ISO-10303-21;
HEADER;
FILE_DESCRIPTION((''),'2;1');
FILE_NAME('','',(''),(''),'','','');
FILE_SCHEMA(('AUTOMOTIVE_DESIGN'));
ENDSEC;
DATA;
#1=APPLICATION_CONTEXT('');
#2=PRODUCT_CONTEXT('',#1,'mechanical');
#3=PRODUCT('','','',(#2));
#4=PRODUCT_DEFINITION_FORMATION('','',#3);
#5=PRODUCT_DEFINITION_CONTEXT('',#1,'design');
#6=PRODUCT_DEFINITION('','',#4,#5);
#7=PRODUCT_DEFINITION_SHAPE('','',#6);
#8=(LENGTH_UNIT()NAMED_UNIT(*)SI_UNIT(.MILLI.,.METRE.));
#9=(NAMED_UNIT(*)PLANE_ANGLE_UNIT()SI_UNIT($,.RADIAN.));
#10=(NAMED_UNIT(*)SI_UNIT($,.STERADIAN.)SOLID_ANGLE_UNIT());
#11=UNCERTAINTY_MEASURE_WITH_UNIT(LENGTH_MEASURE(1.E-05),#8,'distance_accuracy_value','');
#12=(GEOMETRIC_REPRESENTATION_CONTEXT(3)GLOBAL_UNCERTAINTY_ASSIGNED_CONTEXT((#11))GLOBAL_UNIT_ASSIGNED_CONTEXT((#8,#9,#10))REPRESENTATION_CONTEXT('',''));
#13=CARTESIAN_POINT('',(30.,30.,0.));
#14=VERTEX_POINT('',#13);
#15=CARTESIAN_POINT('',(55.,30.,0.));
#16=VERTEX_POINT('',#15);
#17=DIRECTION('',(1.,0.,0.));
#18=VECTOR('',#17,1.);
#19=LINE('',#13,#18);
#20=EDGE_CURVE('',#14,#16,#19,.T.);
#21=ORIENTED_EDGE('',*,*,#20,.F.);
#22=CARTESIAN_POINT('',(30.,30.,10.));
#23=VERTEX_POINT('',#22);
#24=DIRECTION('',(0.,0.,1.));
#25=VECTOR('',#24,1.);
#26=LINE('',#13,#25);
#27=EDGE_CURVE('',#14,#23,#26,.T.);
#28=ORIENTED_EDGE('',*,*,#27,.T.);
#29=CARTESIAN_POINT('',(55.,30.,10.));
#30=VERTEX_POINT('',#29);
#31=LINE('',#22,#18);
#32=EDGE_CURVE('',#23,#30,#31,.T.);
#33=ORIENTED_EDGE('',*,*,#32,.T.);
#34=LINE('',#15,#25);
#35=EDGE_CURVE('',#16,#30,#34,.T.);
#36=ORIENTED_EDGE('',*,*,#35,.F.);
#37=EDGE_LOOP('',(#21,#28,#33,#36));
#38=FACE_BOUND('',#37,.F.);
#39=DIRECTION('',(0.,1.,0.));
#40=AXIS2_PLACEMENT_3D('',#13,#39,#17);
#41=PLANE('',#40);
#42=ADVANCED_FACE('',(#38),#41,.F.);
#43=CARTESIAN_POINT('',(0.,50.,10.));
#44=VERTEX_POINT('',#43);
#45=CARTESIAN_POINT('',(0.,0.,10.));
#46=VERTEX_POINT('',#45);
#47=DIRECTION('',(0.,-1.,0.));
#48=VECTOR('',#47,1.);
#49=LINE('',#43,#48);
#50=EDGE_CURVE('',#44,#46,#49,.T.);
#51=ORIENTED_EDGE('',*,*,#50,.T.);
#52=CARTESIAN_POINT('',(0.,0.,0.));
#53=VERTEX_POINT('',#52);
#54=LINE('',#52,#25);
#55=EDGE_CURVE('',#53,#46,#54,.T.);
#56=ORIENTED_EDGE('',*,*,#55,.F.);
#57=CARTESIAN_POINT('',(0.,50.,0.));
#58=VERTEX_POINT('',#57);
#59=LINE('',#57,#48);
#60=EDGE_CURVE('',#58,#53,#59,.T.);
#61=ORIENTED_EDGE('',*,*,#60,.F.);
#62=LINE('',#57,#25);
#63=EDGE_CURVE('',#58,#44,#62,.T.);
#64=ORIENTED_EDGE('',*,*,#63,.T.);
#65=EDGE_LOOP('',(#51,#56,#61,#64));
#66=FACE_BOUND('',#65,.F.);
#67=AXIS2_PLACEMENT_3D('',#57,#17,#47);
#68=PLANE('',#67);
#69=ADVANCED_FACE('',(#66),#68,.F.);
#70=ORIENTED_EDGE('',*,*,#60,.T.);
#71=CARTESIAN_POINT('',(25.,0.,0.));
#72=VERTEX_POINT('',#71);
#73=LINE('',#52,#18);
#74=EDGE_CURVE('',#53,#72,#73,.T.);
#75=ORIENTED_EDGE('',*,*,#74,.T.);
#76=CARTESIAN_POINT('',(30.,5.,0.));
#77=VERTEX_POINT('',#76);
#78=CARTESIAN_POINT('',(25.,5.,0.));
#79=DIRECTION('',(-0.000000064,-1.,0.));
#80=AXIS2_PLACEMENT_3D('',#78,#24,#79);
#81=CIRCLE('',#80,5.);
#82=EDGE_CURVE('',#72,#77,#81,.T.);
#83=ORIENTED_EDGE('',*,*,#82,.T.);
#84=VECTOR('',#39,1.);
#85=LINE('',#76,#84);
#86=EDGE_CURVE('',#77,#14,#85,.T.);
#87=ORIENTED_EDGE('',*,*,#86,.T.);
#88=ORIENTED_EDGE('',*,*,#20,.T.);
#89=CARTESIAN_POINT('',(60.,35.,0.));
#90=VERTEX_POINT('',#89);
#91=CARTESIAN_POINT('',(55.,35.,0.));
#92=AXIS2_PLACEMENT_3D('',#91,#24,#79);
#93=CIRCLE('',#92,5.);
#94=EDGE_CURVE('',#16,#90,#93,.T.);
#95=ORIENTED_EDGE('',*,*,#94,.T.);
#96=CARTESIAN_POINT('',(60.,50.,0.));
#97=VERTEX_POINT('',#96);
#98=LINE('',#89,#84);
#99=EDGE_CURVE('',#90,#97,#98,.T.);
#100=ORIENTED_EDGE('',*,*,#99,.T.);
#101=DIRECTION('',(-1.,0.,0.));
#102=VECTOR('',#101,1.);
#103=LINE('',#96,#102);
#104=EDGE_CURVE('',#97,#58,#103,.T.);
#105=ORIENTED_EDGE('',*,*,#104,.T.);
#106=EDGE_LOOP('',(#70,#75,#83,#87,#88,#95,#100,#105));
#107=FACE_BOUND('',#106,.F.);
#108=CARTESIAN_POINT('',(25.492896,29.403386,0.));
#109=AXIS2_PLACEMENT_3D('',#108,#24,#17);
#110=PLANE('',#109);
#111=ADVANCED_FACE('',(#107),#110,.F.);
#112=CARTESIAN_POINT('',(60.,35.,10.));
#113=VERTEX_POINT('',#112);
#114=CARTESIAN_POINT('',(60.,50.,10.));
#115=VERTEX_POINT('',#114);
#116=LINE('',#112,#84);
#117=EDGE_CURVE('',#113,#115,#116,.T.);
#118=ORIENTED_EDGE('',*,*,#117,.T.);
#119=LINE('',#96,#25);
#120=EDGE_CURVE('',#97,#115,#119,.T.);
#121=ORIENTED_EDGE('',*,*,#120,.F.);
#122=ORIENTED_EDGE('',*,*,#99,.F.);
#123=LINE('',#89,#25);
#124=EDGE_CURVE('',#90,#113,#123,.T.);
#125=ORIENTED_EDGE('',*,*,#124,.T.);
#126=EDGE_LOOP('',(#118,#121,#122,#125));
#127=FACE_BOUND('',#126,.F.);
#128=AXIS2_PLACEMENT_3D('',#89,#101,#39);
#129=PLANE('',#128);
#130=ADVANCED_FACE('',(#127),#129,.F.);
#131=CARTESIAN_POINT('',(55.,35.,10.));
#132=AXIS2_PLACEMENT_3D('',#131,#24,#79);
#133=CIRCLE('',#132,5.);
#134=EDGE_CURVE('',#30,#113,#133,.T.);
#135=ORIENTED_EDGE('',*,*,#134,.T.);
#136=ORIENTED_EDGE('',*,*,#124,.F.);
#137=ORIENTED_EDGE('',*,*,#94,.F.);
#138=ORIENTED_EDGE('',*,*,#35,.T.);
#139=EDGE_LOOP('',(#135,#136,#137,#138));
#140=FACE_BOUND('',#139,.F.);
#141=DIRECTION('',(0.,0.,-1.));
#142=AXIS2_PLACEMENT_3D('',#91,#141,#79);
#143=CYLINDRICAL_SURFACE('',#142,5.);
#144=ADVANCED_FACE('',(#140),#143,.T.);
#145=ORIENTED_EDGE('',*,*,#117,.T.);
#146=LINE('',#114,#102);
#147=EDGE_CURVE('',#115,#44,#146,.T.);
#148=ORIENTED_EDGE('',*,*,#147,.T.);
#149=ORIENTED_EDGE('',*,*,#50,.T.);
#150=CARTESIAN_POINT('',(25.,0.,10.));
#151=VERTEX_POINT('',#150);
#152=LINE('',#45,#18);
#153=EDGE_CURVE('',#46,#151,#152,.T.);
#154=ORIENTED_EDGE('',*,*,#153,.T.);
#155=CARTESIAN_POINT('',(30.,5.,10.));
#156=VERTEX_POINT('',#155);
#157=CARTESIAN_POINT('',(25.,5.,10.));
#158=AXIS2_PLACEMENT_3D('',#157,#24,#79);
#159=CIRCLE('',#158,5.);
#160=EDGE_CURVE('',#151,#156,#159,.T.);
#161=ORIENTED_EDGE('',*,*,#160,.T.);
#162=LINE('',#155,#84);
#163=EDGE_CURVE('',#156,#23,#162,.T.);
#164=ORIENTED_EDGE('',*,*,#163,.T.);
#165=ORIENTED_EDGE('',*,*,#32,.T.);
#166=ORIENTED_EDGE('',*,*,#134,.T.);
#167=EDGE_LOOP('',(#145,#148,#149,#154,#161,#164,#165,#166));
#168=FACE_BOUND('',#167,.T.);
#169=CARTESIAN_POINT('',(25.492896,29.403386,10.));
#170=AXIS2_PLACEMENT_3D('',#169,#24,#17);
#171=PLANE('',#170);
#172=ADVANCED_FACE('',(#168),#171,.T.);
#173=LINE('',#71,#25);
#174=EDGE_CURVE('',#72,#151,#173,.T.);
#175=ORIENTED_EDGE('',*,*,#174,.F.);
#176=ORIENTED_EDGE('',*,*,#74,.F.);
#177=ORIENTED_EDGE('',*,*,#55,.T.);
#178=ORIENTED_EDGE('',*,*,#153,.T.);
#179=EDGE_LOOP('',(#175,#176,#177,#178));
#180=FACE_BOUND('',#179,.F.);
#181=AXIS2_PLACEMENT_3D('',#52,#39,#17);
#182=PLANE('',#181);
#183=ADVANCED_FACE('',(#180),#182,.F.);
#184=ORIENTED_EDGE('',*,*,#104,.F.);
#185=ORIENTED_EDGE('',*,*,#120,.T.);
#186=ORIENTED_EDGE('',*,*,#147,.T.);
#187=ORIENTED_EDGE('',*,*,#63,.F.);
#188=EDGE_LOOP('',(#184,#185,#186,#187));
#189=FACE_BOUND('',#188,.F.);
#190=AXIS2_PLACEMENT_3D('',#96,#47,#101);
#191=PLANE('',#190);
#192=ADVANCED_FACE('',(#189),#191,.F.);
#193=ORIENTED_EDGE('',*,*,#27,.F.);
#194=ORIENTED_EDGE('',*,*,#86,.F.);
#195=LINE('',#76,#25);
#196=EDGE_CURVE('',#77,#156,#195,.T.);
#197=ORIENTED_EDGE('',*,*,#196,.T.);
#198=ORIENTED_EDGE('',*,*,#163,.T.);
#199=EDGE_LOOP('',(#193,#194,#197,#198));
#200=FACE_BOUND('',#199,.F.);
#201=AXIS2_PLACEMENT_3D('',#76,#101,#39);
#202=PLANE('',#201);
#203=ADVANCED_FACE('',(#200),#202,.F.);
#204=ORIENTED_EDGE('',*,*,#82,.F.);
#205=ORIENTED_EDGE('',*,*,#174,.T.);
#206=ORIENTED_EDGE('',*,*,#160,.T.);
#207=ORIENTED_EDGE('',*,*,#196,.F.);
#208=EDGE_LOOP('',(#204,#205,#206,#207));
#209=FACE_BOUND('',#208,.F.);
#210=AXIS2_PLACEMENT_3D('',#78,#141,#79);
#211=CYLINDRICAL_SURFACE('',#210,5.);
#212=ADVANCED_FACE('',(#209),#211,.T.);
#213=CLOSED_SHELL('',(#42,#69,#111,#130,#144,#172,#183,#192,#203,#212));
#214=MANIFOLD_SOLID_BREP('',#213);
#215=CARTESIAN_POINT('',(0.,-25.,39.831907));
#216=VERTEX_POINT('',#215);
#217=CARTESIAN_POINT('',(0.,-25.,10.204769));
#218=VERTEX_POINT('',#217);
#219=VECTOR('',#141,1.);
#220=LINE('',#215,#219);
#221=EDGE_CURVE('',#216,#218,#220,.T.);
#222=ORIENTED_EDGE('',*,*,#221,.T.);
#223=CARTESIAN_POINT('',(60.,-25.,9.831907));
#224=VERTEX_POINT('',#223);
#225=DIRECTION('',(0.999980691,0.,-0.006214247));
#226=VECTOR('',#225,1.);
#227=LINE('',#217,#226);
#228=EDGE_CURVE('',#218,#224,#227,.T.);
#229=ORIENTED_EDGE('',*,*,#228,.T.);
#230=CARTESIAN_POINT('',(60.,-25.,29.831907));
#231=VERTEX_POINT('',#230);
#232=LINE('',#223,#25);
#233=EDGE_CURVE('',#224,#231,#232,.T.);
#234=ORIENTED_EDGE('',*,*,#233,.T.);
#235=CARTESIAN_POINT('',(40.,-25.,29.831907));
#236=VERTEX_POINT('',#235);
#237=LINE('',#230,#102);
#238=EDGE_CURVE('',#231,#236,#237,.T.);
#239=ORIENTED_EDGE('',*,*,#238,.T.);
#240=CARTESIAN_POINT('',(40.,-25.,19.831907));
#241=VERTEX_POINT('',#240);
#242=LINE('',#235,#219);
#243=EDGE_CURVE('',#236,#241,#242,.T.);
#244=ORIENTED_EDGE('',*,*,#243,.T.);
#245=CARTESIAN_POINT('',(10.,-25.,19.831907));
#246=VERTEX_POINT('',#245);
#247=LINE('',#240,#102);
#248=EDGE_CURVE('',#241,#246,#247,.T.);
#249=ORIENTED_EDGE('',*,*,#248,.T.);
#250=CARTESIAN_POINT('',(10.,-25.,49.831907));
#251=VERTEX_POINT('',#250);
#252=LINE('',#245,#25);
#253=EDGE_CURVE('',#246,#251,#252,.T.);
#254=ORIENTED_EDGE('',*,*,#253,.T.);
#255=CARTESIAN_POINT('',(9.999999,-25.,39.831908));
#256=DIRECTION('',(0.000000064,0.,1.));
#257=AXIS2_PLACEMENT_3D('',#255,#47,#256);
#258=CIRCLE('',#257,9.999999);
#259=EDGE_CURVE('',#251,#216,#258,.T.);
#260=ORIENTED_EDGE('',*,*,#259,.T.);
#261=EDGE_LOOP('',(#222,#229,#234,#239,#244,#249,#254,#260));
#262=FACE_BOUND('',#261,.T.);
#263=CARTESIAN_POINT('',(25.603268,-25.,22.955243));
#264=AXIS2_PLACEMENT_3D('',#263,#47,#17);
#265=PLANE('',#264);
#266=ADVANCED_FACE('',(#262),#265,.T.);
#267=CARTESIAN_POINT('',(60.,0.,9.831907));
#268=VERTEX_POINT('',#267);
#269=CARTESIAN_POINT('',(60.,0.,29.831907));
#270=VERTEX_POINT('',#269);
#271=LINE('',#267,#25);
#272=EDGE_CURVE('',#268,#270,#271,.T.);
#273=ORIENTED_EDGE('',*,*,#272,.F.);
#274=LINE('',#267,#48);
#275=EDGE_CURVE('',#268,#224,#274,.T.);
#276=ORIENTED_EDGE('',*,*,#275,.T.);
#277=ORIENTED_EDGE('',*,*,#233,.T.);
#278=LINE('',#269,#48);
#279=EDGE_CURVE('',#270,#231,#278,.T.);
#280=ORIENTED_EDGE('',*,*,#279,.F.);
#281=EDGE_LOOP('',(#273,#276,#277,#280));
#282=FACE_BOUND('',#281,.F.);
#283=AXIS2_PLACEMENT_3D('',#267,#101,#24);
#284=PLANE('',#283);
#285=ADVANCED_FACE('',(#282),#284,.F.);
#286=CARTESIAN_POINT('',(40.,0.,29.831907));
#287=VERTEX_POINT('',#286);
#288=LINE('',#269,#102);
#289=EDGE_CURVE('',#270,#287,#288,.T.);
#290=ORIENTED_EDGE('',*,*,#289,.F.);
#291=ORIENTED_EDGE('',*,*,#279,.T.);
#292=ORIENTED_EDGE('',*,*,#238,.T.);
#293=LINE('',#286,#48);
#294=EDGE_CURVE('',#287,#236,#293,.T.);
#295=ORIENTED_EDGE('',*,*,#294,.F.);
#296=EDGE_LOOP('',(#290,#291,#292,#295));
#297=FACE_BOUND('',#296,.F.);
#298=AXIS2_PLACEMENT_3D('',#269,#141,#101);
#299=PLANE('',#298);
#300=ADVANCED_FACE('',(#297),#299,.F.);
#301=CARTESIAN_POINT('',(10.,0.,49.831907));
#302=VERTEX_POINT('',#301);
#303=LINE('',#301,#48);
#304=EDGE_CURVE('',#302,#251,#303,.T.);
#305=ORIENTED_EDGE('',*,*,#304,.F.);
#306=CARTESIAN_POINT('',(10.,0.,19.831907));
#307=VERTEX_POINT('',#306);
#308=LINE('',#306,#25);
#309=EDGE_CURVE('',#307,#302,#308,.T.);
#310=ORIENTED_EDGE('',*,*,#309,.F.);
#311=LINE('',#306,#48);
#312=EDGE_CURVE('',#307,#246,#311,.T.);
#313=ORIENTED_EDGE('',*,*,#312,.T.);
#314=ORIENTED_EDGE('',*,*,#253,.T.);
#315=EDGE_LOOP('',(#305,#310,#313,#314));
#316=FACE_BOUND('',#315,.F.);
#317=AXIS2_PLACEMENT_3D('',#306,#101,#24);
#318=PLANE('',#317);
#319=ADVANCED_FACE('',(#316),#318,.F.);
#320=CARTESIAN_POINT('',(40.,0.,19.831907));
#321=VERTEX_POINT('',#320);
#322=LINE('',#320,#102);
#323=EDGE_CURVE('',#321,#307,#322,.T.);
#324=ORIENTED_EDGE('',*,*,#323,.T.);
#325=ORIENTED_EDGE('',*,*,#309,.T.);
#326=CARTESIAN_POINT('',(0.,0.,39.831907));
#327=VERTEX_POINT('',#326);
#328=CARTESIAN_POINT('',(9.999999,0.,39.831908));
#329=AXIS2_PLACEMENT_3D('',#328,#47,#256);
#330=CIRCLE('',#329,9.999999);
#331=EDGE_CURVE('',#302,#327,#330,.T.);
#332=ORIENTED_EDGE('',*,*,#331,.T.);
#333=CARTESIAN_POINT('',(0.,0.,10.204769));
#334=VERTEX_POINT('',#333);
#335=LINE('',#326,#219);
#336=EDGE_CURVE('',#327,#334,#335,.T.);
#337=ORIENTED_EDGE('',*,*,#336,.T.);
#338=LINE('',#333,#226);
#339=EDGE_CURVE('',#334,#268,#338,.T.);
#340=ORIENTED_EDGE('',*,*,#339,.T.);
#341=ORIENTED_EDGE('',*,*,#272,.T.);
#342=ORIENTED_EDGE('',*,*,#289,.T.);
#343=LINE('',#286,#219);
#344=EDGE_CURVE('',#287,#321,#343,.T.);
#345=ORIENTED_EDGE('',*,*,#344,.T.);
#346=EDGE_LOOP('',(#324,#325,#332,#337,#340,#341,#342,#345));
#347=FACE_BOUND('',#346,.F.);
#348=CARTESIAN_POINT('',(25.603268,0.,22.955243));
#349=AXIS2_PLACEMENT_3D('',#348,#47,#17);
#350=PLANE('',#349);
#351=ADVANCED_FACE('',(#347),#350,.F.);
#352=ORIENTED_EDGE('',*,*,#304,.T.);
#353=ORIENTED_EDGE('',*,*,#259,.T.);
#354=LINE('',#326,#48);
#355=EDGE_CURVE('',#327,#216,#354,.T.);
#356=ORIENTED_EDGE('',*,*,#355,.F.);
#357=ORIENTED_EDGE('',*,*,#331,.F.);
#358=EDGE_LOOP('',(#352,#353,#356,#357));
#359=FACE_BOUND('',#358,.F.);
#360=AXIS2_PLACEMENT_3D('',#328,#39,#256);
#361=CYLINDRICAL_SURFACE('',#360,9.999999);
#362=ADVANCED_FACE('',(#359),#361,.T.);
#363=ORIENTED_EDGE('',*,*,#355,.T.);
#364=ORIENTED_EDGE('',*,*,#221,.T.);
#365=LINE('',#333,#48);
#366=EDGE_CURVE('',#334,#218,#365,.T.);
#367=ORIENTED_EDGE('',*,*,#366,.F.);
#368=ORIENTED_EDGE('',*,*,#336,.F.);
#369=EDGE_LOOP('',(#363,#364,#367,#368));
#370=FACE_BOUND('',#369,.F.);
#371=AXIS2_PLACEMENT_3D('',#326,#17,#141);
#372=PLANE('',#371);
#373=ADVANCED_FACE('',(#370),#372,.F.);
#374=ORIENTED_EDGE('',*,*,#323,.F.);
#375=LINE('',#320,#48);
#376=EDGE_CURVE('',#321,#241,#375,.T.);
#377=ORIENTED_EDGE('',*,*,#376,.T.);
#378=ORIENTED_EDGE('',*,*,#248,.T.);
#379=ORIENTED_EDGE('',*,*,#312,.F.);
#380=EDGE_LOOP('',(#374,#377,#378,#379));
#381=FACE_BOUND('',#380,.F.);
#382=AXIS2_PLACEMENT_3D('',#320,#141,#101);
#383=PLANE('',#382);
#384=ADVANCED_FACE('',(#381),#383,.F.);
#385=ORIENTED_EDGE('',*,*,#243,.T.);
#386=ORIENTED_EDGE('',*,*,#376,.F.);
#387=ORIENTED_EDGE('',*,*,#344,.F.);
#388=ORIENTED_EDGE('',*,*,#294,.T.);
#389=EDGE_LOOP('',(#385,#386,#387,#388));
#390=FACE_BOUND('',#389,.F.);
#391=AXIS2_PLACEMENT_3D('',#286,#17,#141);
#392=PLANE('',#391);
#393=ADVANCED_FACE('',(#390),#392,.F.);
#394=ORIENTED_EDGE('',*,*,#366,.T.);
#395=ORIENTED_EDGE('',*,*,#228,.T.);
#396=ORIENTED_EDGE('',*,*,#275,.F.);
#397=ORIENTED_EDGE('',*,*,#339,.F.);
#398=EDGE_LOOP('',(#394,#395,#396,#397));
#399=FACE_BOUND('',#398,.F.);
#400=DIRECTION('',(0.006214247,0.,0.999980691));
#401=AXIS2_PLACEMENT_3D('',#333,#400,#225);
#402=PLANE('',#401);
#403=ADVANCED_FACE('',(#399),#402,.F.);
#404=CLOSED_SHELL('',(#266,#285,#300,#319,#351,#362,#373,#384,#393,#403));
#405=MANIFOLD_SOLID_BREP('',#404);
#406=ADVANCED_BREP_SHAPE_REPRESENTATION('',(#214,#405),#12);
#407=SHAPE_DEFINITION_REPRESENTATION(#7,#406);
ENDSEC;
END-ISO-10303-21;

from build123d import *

# Parameters (mm, degrees)
F1_DEPTH = 10
F3_DEPTH = 25
F4_DEPTH = 25


with BuildPart() as f1:
    # F0 (on Top) → F1 (new body)
    with BuildSketch(Plane.XY):
        with BuildLine():
            Line((0, 50), (0, 0))
            Line((0, 0), (25, 0))
            ThreePointArc((25, 0), (28.535534, 1.464466), (30, 5))
            Line((30, 5), (30, 30))
            Line((30, 30), (55, 30))
            ThreePointArc((55, 30), (58.535534, 31.464466), (60, 35))
            Line((60, 35), (60, 50))
            Line((60, 50), (0, 50))
        make_face()
    extrude(amount=F1_DEPTH)


with BuildPart() as f3:
    # F2 (on Front) → F3 (new body)
    with BuildSketch(Plane.XZ):
        with BuildLine():
            Line((0, 10.204769), (60, 9.831907))
            Line((60, 9.831907), (60, 29.831907))
            Line((60, 29.831907), (40, 29.831907))
            Line((40, 29.831907), (40, 19.831907))
            Line((40, 19.831907), (10, 19.831907))
            Line((10, 19.831907), (10, 49.831907))
            ThreePointArc((10, 49.831907), (2.928932, 46.902975), (0, 39.831907))
            Line((0, 39.831907), (0, 10.204769))
        make_face()
    extrude(amount=F3_DEPTH)

    # F2 (on Front) → F4 (join)
    with BuildSketch(Plane.XZ):
        with BuildLine():
            Line((0, 10.204769), (60, 9.831907))
            Line((60, 9.831907), (60, 29.831907))
            Line((60, 29.831907), (40, 29.831907))
            Line((40, 29.831907), (40, 19.831907))
            Line((40, 19.831907), (10, 19.831907))
            Line((10, 19.831907), (10, 49.831907))
            ThreePointArc((10, 49.831907), (2.928932, 46.902975), (0, 39.831907))
            Line((0, 39.831907), (0, 10.204769))
        make_face()
    extrude(amount=F4_DEPTH)


solid = Compound([f1.part, f3.part])
